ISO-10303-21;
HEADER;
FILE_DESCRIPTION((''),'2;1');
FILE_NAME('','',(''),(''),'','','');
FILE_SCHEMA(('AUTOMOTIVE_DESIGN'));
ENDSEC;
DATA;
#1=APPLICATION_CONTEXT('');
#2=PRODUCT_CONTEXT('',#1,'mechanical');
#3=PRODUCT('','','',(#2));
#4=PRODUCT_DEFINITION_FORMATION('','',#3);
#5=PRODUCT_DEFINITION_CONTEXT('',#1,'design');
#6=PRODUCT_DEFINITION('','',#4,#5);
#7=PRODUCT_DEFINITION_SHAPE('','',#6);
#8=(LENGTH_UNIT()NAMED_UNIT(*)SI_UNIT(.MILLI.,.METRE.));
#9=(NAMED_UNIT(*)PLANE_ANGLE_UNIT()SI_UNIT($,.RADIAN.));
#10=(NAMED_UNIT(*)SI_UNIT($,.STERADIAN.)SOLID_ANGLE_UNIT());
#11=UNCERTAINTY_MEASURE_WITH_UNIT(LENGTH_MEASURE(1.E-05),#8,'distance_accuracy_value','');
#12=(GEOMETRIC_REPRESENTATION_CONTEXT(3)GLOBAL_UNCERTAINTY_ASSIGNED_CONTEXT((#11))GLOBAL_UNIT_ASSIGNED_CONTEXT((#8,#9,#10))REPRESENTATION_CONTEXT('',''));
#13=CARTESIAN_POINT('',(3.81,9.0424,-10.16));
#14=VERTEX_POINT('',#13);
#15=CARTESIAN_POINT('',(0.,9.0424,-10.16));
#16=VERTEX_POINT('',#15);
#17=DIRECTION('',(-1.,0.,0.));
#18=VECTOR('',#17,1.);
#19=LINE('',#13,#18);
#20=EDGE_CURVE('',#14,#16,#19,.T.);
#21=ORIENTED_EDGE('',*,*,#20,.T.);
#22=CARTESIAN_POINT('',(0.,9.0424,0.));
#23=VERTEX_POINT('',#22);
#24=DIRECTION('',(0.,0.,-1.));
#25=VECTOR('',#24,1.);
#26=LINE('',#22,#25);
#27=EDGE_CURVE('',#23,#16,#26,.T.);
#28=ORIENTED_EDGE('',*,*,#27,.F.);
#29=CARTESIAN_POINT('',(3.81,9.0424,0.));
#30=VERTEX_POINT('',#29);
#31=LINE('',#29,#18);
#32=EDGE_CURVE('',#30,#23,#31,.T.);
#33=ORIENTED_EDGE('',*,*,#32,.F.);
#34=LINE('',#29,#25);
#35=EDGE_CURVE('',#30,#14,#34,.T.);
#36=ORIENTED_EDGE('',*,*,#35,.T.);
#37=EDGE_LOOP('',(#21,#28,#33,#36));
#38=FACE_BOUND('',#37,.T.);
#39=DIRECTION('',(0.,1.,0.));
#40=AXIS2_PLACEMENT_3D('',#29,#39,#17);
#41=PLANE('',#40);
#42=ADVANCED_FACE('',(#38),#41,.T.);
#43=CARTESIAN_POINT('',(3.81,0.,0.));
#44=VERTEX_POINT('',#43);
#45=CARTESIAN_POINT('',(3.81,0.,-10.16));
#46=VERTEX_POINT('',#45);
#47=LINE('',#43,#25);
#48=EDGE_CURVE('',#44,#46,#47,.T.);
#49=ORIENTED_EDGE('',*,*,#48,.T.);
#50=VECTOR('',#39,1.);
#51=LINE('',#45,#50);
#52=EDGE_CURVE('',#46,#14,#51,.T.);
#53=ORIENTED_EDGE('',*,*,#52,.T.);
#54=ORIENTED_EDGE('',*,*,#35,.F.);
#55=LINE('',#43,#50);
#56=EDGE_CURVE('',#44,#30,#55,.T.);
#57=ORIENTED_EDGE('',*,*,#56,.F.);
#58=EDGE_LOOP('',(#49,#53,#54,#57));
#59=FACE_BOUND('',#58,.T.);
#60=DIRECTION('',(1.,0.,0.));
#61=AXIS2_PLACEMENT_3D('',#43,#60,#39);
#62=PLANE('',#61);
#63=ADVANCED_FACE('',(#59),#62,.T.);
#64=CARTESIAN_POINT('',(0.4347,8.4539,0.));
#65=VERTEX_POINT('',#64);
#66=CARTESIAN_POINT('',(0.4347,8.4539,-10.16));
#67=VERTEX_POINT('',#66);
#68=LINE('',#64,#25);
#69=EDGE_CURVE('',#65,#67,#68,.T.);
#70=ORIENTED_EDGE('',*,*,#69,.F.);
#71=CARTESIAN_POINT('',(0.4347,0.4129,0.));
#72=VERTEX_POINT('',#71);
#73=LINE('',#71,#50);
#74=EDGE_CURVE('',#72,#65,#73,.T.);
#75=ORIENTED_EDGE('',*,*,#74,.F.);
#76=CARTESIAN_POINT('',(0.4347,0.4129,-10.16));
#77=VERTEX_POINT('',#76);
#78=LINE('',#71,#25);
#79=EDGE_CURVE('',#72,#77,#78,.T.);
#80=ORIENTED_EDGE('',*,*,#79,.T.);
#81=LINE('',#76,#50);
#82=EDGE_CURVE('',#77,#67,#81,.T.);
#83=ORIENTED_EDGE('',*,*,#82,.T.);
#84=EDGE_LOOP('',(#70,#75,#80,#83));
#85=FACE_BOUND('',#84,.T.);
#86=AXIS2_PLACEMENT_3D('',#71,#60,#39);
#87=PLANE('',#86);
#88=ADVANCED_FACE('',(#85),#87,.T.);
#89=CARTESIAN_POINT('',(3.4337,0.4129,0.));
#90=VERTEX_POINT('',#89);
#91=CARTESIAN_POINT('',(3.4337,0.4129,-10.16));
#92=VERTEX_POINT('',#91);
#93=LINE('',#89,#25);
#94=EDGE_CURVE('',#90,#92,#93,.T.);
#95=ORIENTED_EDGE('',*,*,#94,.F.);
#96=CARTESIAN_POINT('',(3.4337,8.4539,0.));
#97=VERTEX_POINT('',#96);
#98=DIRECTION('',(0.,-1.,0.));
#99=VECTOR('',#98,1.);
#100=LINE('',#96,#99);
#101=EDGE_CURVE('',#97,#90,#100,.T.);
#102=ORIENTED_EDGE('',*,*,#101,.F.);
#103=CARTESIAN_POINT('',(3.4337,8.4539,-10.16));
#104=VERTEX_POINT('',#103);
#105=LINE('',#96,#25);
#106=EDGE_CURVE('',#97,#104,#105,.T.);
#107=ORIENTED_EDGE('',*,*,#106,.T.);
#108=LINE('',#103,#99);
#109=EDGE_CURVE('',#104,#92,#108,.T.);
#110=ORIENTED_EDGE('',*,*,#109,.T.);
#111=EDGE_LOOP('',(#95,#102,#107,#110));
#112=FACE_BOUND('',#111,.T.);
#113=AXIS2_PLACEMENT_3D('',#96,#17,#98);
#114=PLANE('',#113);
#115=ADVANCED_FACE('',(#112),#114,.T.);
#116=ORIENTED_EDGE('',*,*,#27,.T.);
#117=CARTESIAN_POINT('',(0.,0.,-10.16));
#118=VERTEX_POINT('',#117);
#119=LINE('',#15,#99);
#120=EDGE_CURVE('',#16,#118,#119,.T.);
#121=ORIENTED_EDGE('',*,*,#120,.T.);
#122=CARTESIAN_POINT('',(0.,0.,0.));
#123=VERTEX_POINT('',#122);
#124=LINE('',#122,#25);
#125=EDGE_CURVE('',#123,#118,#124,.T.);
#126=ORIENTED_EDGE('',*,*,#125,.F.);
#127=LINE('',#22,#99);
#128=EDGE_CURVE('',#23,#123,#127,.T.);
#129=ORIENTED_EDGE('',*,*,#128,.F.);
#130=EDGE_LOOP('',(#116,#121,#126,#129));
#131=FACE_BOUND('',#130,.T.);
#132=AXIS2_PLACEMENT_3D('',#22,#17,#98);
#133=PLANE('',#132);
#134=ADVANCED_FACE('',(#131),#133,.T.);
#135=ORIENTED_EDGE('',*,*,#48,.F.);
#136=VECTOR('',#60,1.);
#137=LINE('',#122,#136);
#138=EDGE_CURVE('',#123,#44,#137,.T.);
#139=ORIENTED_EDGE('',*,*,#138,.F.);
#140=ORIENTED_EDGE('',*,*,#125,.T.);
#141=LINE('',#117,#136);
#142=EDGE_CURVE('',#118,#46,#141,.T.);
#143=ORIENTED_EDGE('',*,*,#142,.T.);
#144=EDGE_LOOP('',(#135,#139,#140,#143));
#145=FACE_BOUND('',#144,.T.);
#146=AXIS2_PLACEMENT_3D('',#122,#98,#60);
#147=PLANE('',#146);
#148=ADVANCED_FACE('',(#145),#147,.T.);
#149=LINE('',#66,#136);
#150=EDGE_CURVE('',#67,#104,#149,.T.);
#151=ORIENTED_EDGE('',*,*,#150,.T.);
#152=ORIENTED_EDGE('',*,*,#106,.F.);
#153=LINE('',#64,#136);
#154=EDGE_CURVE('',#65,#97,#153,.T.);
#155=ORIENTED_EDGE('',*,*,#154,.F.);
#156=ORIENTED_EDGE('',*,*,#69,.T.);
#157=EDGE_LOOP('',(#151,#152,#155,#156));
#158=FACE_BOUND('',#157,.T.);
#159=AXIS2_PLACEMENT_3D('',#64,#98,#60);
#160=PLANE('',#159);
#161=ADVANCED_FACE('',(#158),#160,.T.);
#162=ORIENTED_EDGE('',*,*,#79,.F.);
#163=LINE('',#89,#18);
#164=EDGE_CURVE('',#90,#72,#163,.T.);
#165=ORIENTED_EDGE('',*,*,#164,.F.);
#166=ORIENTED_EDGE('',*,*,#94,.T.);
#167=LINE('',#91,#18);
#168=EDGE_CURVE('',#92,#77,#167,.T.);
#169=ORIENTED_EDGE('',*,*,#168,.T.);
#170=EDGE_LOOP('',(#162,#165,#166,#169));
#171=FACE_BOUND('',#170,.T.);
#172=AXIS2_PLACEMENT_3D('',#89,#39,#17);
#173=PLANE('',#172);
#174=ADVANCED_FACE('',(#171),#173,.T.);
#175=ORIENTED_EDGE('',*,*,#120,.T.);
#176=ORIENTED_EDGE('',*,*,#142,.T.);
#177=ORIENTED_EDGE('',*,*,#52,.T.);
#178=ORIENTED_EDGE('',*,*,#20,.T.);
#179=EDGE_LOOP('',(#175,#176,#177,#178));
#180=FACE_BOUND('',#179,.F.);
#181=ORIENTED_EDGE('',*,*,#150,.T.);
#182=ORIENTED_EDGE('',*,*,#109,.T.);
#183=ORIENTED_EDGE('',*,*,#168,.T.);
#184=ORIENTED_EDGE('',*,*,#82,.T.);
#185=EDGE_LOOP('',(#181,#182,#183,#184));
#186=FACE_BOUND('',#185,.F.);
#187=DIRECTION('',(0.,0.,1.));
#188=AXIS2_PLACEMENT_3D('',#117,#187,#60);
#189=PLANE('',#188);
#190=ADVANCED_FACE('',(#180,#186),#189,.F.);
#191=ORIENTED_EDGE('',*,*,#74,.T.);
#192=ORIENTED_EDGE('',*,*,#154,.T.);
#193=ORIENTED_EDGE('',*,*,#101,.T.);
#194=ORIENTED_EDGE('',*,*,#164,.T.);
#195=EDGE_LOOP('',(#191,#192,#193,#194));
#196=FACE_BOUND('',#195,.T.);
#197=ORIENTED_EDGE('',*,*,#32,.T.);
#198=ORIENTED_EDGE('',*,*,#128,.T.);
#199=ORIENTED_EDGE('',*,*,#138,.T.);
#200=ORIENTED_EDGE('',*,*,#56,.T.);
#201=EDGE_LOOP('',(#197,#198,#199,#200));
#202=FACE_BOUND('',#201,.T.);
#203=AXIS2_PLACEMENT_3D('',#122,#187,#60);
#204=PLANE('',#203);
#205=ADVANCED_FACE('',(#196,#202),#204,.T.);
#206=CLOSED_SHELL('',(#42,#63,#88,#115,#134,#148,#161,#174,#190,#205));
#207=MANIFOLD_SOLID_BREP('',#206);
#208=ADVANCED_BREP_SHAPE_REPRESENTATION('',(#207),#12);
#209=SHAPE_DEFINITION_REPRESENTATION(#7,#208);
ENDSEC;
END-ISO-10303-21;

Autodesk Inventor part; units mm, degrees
ref_plane "YZ Plane" through (0, 0, 0) normal (1, 0, 0) x (0, 1, 0)
ref_plane "XZ Plane" through (0, 0, 0) normal (0, 1, 0) x (-1, 0, 0)
ref_plane "XY Plane" through (0, 0, 0) normal (0, 0, 1) x (1, 0, 0)
sketch "Sketch1" plane through (0, 0, 0) normal (0, 0, 1) x (1, 0, 0)
  line L0 (0, 0) -> (3.81, 0)
  line L1 (3.81, 0) -> (3.81, 9.0424)
  line L2 (3.81, 9.0424) -> (0, 9.0424)
  line L3 (0, 9.0424) -> (0, 0)
  dimension "d0" = 3.81
  dimension "d1" = 9.0424
extrude "Extrusion1" add sketch "Sketch1" against normal blind 10.16
sketch "Sketch2" plane through (0, 0, 0) normal (0, 0, 1) x (1, 0, 0)
  line L0 (0.4347, 8.4539) -> (3.4337, 8.4539)
  line L1 (3.4337, 8.4539) -> (3.4337, 0.4129)
  line L2 (3.4337, 0.4129) -> (0.4347, 0.4129)
  line L3 (0.4347, 0.4129) -> (0.4347, 8.4539)
  point P0 (0, 0)
extrude "Extrusion2" cut sketch "Sketch2" against normal blind 10.16
properties part number "IR PART"
